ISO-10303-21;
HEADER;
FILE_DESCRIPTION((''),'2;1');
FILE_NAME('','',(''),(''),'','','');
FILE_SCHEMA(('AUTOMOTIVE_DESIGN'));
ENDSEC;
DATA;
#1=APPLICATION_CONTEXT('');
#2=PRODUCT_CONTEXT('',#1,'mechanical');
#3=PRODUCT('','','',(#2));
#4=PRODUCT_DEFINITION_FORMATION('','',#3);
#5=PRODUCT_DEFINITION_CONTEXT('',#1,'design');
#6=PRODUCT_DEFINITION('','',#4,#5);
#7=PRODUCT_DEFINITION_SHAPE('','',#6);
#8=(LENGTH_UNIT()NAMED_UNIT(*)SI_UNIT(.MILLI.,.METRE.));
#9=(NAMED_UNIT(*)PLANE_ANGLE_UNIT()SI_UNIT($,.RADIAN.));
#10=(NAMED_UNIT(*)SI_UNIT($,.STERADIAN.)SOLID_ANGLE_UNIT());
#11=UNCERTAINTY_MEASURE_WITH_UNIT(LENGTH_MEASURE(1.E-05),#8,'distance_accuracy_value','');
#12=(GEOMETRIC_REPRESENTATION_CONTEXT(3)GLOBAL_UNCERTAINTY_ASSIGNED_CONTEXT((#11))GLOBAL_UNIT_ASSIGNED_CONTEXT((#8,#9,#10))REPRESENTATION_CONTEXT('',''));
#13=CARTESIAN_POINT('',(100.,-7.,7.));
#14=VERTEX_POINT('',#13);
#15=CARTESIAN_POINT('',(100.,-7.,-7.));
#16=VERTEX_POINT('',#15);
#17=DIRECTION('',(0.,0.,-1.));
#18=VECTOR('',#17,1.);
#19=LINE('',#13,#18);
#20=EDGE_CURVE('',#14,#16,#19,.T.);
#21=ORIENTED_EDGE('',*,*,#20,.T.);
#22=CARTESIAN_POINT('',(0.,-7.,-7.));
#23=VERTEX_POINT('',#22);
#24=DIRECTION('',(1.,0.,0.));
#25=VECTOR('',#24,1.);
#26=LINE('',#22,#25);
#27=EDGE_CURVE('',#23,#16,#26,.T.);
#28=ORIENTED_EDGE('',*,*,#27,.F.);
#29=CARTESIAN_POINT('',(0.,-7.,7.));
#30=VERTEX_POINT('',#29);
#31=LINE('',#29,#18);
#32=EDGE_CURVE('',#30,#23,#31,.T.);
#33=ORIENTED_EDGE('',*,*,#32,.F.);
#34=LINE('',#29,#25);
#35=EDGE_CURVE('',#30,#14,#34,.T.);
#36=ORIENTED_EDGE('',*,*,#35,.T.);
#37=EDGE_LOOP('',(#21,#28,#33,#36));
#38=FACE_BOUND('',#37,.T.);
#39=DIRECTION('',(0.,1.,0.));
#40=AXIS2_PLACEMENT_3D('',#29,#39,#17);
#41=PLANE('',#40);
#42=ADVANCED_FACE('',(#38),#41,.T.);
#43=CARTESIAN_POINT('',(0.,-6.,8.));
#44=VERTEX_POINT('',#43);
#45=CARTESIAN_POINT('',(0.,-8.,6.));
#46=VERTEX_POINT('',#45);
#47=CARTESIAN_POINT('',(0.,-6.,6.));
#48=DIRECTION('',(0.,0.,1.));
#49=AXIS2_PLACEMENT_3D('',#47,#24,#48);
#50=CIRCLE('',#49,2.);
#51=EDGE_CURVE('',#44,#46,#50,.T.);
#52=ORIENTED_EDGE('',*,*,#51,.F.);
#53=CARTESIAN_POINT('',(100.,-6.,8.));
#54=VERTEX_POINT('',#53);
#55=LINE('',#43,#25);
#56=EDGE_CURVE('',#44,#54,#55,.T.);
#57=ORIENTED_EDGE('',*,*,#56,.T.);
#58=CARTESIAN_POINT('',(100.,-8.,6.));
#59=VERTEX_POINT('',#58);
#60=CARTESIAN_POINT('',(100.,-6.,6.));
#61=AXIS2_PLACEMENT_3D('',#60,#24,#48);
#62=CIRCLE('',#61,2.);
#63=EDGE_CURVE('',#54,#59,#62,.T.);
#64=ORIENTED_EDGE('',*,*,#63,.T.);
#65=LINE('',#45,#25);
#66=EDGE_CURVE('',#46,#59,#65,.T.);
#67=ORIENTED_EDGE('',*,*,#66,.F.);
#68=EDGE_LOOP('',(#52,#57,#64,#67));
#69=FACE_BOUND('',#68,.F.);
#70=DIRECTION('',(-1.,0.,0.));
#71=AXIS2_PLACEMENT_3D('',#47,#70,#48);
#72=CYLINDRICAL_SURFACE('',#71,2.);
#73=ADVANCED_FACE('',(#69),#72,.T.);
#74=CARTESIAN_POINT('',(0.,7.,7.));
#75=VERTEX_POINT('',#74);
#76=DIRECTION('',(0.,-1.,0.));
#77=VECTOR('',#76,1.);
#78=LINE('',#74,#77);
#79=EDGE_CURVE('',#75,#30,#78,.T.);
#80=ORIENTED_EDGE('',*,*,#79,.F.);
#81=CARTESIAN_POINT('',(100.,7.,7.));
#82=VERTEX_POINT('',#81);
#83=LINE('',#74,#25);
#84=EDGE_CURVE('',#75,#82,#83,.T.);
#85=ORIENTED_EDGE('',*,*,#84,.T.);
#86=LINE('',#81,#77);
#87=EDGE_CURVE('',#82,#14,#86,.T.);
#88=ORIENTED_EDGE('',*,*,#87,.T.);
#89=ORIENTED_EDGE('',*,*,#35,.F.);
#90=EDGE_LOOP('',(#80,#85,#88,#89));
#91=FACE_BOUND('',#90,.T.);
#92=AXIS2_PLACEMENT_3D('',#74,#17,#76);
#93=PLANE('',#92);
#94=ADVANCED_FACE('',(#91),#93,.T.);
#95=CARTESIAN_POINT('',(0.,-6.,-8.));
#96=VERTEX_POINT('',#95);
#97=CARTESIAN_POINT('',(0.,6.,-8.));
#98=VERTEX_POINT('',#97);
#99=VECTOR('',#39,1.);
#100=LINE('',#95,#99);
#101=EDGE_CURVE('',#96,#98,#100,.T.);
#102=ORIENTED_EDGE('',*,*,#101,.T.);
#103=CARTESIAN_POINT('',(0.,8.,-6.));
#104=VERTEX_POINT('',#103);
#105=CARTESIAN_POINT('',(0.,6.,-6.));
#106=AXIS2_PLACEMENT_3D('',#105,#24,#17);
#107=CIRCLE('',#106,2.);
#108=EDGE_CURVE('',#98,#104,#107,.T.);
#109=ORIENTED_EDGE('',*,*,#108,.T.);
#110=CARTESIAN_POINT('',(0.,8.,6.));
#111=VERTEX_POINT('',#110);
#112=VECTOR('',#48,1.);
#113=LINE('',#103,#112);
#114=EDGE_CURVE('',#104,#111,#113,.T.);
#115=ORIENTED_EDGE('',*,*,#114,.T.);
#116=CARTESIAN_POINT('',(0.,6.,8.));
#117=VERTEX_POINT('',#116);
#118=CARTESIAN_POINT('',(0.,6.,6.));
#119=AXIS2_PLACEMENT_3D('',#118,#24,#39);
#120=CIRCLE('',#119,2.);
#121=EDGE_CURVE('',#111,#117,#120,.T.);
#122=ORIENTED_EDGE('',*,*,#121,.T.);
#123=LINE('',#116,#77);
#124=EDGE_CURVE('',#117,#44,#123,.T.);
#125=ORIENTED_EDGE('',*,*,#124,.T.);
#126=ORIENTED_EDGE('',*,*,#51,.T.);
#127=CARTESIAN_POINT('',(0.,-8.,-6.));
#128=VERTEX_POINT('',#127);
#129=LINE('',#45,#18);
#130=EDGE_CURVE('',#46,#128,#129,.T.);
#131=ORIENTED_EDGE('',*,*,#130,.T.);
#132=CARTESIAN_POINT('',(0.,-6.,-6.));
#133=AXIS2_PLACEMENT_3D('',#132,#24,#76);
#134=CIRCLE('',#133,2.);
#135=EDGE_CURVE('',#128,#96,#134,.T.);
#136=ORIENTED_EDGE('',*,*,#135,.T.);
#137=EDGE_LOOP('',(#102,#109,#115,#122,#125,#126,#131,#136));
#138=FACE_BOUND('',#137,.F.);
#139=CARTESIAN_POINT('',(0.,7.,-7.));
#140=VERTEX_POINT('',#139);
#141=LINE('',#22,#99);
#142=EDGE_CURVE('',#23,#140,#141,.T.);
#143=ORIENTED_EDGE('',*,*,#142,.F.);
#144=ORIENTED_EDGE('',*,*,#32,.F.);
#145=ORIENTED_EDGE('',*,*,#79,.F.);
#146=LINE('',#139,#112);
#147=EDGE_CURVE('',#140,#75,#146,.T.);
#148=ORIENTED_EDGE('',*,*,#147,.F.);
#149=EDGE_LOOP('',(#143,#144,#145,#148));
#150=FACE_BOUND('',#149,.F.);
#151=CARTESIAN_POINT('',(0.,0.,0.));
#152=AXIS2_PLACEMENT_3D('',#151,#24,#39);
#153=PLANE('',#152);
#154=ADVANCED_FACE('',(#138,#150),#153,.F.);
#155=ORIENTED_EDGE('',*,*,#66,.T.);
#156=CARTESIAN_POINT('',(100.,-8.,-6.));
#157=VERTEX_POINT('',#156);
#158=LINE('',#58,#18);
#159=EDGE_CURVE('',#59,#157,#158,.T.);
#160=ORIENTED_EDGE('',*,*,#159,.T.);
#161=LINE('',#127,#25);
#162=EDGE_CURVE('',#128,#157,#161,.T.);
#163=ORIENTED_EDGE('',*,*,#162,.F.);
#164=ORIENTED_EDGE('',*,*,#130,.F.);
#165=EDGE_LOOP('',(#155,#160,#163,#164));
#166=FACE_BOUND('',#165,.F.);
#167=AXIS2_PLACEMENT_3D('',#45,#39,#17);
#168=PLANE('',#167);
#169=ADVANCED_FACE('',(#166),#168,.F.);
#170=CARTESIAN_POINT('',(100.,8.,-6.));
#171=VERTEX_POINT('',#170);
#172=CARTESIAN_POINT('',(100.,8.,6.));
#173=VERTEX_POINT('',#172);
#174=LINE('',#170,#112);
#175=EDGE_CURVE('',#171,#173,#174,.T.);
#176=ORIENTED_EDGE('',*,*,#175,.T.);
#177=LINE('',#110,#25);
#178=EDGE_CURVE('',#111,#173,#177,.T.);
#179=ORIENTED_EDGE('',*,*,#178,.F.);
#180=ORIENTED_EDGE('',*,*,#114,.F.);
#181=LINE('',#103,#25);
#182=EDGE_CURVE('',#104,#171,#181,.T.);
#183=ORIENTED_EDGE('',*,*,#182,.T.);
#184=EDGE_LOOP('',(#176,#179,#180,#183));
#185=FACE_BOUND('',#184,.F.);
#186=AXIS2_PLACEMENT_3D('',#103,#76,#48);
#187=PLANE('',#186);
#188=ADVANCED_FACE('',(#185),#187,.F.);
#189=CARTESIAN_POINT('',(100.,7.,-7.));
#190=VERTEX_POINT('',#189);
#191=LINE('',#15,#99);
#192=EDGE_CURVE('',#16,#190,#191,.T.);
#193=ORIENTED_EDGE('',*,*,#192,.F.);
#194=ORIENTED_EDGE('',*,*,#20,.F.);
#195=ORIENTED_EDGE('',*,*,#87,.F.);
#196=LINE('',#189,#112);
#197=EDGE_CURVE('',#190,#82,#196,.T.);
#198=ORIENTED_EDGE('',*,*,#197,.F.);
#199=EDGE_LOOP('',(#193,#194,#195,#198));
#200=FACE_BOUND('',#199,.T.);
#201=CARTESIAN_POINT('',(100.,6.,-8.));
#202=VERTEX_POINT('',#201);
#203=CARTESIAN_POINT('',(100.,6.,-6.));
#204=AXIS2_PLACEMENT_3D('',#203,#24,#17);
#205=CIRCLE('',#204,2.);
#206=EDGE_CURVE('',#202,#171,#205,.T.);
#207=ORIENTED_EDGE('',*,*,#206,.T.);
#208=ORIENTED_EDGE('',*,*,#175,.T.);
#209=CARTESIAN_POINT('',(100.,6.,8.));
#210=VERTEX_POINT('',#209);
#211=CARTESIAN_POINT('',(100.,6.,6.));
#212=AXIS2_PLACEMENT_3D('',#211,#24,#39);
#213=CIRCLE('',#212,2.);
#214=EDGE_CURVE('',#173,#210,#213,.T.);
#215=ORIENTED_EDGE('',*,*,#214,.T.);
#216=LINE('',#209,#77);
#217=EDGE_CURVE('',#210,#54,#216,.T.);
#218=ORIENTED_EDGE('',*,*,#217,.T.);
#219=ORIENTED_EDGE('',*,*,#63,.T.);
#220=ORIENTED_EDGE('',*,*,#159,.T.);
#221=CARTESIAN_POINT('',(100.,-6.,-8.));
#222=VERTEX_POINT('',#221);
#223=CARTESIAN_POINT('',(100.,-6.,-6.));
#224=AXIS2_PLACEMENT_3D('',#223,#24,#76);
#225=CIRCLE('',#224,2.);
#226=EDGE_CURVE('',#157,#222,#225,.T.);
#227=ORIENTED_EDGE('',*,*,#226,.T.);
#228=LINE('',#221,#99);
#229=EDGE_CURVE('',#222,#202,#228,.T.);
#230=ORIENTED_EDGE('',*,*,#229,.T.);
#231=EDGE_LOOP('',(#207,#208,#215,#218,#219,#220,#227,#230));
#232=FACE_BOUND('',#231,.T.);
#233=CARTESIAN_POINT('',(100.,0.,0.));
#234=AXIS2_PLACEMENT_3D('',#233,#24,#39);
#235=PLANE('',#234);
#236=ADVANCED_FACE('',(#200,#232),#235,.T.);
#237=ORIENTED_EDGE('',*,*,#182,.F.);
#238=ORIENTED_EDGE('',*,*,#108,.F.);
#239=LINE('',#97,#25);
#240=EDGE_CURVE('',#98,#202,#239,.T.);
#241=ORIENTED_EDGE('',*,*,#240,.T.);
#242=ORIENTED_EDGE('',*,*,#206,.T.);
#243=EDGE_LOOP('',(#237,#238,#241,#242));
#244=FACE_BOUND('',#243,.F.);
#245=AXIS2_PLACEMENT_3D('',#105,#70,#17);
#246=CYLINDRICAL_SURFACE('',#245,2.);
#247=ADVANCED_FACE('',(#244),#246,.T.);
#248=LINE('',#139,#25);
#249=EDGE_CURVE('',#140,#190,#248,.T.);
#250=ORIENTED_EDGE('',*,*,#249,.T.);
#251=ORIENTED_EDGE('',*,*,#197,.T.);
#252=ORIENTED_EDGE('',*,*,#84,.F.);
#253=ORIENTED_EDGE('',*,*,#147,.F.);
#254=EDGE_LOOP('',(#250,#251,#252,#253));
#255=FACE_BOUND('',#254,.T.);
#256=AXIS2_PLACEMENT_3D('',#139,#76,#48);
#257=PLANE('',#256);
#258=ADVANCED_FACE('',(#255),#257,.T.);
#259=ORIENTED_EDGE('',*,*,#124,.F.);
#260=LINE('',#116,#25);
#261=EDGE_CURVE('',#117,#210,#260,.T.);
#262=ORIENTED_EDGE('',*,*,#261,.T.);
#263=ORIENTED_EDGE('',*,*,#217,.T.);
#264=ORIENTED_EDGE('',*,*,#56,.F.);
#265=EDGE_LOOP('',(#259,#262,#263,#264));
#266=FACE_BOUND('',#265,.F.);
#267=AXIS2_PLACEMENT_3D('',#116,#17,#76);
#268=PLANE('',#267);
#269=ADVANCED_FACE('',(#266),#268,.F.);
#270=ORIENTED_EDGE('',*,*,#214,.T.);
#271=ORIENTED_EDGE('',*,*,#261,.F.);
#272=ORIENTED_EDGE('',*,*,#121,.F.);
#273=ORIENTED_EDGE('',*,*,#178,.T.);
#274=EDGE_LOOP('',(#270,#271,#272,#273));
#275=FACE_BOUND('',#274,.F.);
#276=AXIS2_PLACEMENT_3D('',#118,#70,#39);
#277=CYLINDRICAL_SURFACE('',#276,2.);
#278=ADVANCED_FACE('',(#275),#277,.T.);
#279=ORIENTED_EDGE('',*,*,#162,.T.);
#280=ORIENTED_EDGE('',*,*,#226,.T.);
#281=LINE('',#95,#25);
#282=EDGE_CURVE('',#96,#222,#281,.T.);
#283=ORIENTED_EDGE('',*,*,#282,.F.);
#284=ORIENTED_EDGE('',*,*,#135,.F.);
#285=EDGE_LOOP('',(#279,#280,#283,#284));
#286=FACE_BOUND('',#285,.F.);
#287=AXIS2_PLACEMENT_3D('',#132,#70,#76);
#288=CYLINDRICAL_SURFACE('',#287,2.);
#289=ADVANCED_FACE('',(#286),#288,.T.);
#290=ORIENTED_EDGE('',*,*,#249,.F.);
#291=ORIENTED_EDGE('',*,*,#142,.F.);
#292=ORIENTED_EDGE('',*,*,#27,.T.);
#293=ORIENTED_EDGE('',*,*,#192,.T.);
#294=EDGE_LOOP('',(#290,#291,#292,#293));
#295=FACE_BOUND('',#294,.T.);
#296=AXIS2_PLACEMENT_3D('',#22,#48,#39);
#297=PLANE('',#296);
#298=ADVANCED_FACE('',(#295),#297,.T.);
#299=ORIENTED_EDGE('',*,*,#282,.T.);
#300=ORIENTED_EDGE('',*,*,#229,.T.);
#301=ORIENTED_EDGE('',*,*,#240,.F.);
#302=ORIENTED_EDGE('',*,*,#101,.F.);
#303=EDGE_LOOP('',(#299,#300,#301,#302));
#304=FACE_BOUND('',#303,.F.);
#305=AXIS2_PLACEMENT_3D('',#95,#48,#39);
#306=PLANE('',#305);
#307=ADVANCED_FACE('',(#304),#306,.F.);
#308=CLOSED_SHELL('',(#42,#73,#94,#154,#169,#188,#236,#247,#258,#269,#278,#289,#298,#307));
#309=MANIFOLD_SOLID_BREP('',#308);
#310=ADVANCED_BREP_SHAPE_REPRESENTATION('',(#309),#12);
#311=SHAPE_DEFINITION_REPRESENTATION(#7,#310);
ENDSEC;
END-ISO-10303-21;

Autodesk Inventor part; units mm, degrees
ref_plane "YZ Plane" through (0, 0, 0) normal (1, 0, 0) x (0, 1, 0)
ref_plane "XZ Plane" through (0, 0, 0) normal (0, 1, 0) x (-1, 0, 0)
ref_plane "XY Plane" through (0, 0, 0) normal (0, 0, 1) x (1, 0, 0)
sketch "Sketch1" plane through (0, 0, 0) normal (1, 0, 0) x (0, 1, 0)
  line L0 (7, 7) -> (-7, 7)
  line L1 (-7, 7) -> (-7, -7)
  line L2 (-7, -7) -> (7, -7)
  line L3 (7, -7) -> (7, 7)
  line L4 (7, 7) -> (-7, -7) construction
  line L5 (-7, 7) -> (7, -7) construction
  line L6 (6, 8) -> (-6, 8)
  line L7 (-8, 6) -> (-8, -6)
  line L8 (-6, -8) -> (6, -8)
  line L9 (8, -6) -> (8, 6)
  line L10 (8, 8) -> (-8, -8) construction
  line L11 (-8, 8) -> (8, -8) construction
  arc A0 (8, 6) -> (6, 8) centre (6, 6) ccw
  arc A1 (-6, 8) -> (-8, 6) centre (-6, 6) ccw
  arc A2 (-8, -6) -> (-6, -8) centre (-6, -6) ccw
  arc A3 (6, -8) -> (8, -6) centre (6, -6) ccw
  point P0 (0, 0)
  dimension "d0" = 14
  dimension "d1" = 14
  dimension "d2" = 16
  dimension "d3" = 16
  dimension "d4" = 2
extrude "Extrusion1" add sketch "Sketch1" along normal blind 100
properties part number "suspension2chassis"
